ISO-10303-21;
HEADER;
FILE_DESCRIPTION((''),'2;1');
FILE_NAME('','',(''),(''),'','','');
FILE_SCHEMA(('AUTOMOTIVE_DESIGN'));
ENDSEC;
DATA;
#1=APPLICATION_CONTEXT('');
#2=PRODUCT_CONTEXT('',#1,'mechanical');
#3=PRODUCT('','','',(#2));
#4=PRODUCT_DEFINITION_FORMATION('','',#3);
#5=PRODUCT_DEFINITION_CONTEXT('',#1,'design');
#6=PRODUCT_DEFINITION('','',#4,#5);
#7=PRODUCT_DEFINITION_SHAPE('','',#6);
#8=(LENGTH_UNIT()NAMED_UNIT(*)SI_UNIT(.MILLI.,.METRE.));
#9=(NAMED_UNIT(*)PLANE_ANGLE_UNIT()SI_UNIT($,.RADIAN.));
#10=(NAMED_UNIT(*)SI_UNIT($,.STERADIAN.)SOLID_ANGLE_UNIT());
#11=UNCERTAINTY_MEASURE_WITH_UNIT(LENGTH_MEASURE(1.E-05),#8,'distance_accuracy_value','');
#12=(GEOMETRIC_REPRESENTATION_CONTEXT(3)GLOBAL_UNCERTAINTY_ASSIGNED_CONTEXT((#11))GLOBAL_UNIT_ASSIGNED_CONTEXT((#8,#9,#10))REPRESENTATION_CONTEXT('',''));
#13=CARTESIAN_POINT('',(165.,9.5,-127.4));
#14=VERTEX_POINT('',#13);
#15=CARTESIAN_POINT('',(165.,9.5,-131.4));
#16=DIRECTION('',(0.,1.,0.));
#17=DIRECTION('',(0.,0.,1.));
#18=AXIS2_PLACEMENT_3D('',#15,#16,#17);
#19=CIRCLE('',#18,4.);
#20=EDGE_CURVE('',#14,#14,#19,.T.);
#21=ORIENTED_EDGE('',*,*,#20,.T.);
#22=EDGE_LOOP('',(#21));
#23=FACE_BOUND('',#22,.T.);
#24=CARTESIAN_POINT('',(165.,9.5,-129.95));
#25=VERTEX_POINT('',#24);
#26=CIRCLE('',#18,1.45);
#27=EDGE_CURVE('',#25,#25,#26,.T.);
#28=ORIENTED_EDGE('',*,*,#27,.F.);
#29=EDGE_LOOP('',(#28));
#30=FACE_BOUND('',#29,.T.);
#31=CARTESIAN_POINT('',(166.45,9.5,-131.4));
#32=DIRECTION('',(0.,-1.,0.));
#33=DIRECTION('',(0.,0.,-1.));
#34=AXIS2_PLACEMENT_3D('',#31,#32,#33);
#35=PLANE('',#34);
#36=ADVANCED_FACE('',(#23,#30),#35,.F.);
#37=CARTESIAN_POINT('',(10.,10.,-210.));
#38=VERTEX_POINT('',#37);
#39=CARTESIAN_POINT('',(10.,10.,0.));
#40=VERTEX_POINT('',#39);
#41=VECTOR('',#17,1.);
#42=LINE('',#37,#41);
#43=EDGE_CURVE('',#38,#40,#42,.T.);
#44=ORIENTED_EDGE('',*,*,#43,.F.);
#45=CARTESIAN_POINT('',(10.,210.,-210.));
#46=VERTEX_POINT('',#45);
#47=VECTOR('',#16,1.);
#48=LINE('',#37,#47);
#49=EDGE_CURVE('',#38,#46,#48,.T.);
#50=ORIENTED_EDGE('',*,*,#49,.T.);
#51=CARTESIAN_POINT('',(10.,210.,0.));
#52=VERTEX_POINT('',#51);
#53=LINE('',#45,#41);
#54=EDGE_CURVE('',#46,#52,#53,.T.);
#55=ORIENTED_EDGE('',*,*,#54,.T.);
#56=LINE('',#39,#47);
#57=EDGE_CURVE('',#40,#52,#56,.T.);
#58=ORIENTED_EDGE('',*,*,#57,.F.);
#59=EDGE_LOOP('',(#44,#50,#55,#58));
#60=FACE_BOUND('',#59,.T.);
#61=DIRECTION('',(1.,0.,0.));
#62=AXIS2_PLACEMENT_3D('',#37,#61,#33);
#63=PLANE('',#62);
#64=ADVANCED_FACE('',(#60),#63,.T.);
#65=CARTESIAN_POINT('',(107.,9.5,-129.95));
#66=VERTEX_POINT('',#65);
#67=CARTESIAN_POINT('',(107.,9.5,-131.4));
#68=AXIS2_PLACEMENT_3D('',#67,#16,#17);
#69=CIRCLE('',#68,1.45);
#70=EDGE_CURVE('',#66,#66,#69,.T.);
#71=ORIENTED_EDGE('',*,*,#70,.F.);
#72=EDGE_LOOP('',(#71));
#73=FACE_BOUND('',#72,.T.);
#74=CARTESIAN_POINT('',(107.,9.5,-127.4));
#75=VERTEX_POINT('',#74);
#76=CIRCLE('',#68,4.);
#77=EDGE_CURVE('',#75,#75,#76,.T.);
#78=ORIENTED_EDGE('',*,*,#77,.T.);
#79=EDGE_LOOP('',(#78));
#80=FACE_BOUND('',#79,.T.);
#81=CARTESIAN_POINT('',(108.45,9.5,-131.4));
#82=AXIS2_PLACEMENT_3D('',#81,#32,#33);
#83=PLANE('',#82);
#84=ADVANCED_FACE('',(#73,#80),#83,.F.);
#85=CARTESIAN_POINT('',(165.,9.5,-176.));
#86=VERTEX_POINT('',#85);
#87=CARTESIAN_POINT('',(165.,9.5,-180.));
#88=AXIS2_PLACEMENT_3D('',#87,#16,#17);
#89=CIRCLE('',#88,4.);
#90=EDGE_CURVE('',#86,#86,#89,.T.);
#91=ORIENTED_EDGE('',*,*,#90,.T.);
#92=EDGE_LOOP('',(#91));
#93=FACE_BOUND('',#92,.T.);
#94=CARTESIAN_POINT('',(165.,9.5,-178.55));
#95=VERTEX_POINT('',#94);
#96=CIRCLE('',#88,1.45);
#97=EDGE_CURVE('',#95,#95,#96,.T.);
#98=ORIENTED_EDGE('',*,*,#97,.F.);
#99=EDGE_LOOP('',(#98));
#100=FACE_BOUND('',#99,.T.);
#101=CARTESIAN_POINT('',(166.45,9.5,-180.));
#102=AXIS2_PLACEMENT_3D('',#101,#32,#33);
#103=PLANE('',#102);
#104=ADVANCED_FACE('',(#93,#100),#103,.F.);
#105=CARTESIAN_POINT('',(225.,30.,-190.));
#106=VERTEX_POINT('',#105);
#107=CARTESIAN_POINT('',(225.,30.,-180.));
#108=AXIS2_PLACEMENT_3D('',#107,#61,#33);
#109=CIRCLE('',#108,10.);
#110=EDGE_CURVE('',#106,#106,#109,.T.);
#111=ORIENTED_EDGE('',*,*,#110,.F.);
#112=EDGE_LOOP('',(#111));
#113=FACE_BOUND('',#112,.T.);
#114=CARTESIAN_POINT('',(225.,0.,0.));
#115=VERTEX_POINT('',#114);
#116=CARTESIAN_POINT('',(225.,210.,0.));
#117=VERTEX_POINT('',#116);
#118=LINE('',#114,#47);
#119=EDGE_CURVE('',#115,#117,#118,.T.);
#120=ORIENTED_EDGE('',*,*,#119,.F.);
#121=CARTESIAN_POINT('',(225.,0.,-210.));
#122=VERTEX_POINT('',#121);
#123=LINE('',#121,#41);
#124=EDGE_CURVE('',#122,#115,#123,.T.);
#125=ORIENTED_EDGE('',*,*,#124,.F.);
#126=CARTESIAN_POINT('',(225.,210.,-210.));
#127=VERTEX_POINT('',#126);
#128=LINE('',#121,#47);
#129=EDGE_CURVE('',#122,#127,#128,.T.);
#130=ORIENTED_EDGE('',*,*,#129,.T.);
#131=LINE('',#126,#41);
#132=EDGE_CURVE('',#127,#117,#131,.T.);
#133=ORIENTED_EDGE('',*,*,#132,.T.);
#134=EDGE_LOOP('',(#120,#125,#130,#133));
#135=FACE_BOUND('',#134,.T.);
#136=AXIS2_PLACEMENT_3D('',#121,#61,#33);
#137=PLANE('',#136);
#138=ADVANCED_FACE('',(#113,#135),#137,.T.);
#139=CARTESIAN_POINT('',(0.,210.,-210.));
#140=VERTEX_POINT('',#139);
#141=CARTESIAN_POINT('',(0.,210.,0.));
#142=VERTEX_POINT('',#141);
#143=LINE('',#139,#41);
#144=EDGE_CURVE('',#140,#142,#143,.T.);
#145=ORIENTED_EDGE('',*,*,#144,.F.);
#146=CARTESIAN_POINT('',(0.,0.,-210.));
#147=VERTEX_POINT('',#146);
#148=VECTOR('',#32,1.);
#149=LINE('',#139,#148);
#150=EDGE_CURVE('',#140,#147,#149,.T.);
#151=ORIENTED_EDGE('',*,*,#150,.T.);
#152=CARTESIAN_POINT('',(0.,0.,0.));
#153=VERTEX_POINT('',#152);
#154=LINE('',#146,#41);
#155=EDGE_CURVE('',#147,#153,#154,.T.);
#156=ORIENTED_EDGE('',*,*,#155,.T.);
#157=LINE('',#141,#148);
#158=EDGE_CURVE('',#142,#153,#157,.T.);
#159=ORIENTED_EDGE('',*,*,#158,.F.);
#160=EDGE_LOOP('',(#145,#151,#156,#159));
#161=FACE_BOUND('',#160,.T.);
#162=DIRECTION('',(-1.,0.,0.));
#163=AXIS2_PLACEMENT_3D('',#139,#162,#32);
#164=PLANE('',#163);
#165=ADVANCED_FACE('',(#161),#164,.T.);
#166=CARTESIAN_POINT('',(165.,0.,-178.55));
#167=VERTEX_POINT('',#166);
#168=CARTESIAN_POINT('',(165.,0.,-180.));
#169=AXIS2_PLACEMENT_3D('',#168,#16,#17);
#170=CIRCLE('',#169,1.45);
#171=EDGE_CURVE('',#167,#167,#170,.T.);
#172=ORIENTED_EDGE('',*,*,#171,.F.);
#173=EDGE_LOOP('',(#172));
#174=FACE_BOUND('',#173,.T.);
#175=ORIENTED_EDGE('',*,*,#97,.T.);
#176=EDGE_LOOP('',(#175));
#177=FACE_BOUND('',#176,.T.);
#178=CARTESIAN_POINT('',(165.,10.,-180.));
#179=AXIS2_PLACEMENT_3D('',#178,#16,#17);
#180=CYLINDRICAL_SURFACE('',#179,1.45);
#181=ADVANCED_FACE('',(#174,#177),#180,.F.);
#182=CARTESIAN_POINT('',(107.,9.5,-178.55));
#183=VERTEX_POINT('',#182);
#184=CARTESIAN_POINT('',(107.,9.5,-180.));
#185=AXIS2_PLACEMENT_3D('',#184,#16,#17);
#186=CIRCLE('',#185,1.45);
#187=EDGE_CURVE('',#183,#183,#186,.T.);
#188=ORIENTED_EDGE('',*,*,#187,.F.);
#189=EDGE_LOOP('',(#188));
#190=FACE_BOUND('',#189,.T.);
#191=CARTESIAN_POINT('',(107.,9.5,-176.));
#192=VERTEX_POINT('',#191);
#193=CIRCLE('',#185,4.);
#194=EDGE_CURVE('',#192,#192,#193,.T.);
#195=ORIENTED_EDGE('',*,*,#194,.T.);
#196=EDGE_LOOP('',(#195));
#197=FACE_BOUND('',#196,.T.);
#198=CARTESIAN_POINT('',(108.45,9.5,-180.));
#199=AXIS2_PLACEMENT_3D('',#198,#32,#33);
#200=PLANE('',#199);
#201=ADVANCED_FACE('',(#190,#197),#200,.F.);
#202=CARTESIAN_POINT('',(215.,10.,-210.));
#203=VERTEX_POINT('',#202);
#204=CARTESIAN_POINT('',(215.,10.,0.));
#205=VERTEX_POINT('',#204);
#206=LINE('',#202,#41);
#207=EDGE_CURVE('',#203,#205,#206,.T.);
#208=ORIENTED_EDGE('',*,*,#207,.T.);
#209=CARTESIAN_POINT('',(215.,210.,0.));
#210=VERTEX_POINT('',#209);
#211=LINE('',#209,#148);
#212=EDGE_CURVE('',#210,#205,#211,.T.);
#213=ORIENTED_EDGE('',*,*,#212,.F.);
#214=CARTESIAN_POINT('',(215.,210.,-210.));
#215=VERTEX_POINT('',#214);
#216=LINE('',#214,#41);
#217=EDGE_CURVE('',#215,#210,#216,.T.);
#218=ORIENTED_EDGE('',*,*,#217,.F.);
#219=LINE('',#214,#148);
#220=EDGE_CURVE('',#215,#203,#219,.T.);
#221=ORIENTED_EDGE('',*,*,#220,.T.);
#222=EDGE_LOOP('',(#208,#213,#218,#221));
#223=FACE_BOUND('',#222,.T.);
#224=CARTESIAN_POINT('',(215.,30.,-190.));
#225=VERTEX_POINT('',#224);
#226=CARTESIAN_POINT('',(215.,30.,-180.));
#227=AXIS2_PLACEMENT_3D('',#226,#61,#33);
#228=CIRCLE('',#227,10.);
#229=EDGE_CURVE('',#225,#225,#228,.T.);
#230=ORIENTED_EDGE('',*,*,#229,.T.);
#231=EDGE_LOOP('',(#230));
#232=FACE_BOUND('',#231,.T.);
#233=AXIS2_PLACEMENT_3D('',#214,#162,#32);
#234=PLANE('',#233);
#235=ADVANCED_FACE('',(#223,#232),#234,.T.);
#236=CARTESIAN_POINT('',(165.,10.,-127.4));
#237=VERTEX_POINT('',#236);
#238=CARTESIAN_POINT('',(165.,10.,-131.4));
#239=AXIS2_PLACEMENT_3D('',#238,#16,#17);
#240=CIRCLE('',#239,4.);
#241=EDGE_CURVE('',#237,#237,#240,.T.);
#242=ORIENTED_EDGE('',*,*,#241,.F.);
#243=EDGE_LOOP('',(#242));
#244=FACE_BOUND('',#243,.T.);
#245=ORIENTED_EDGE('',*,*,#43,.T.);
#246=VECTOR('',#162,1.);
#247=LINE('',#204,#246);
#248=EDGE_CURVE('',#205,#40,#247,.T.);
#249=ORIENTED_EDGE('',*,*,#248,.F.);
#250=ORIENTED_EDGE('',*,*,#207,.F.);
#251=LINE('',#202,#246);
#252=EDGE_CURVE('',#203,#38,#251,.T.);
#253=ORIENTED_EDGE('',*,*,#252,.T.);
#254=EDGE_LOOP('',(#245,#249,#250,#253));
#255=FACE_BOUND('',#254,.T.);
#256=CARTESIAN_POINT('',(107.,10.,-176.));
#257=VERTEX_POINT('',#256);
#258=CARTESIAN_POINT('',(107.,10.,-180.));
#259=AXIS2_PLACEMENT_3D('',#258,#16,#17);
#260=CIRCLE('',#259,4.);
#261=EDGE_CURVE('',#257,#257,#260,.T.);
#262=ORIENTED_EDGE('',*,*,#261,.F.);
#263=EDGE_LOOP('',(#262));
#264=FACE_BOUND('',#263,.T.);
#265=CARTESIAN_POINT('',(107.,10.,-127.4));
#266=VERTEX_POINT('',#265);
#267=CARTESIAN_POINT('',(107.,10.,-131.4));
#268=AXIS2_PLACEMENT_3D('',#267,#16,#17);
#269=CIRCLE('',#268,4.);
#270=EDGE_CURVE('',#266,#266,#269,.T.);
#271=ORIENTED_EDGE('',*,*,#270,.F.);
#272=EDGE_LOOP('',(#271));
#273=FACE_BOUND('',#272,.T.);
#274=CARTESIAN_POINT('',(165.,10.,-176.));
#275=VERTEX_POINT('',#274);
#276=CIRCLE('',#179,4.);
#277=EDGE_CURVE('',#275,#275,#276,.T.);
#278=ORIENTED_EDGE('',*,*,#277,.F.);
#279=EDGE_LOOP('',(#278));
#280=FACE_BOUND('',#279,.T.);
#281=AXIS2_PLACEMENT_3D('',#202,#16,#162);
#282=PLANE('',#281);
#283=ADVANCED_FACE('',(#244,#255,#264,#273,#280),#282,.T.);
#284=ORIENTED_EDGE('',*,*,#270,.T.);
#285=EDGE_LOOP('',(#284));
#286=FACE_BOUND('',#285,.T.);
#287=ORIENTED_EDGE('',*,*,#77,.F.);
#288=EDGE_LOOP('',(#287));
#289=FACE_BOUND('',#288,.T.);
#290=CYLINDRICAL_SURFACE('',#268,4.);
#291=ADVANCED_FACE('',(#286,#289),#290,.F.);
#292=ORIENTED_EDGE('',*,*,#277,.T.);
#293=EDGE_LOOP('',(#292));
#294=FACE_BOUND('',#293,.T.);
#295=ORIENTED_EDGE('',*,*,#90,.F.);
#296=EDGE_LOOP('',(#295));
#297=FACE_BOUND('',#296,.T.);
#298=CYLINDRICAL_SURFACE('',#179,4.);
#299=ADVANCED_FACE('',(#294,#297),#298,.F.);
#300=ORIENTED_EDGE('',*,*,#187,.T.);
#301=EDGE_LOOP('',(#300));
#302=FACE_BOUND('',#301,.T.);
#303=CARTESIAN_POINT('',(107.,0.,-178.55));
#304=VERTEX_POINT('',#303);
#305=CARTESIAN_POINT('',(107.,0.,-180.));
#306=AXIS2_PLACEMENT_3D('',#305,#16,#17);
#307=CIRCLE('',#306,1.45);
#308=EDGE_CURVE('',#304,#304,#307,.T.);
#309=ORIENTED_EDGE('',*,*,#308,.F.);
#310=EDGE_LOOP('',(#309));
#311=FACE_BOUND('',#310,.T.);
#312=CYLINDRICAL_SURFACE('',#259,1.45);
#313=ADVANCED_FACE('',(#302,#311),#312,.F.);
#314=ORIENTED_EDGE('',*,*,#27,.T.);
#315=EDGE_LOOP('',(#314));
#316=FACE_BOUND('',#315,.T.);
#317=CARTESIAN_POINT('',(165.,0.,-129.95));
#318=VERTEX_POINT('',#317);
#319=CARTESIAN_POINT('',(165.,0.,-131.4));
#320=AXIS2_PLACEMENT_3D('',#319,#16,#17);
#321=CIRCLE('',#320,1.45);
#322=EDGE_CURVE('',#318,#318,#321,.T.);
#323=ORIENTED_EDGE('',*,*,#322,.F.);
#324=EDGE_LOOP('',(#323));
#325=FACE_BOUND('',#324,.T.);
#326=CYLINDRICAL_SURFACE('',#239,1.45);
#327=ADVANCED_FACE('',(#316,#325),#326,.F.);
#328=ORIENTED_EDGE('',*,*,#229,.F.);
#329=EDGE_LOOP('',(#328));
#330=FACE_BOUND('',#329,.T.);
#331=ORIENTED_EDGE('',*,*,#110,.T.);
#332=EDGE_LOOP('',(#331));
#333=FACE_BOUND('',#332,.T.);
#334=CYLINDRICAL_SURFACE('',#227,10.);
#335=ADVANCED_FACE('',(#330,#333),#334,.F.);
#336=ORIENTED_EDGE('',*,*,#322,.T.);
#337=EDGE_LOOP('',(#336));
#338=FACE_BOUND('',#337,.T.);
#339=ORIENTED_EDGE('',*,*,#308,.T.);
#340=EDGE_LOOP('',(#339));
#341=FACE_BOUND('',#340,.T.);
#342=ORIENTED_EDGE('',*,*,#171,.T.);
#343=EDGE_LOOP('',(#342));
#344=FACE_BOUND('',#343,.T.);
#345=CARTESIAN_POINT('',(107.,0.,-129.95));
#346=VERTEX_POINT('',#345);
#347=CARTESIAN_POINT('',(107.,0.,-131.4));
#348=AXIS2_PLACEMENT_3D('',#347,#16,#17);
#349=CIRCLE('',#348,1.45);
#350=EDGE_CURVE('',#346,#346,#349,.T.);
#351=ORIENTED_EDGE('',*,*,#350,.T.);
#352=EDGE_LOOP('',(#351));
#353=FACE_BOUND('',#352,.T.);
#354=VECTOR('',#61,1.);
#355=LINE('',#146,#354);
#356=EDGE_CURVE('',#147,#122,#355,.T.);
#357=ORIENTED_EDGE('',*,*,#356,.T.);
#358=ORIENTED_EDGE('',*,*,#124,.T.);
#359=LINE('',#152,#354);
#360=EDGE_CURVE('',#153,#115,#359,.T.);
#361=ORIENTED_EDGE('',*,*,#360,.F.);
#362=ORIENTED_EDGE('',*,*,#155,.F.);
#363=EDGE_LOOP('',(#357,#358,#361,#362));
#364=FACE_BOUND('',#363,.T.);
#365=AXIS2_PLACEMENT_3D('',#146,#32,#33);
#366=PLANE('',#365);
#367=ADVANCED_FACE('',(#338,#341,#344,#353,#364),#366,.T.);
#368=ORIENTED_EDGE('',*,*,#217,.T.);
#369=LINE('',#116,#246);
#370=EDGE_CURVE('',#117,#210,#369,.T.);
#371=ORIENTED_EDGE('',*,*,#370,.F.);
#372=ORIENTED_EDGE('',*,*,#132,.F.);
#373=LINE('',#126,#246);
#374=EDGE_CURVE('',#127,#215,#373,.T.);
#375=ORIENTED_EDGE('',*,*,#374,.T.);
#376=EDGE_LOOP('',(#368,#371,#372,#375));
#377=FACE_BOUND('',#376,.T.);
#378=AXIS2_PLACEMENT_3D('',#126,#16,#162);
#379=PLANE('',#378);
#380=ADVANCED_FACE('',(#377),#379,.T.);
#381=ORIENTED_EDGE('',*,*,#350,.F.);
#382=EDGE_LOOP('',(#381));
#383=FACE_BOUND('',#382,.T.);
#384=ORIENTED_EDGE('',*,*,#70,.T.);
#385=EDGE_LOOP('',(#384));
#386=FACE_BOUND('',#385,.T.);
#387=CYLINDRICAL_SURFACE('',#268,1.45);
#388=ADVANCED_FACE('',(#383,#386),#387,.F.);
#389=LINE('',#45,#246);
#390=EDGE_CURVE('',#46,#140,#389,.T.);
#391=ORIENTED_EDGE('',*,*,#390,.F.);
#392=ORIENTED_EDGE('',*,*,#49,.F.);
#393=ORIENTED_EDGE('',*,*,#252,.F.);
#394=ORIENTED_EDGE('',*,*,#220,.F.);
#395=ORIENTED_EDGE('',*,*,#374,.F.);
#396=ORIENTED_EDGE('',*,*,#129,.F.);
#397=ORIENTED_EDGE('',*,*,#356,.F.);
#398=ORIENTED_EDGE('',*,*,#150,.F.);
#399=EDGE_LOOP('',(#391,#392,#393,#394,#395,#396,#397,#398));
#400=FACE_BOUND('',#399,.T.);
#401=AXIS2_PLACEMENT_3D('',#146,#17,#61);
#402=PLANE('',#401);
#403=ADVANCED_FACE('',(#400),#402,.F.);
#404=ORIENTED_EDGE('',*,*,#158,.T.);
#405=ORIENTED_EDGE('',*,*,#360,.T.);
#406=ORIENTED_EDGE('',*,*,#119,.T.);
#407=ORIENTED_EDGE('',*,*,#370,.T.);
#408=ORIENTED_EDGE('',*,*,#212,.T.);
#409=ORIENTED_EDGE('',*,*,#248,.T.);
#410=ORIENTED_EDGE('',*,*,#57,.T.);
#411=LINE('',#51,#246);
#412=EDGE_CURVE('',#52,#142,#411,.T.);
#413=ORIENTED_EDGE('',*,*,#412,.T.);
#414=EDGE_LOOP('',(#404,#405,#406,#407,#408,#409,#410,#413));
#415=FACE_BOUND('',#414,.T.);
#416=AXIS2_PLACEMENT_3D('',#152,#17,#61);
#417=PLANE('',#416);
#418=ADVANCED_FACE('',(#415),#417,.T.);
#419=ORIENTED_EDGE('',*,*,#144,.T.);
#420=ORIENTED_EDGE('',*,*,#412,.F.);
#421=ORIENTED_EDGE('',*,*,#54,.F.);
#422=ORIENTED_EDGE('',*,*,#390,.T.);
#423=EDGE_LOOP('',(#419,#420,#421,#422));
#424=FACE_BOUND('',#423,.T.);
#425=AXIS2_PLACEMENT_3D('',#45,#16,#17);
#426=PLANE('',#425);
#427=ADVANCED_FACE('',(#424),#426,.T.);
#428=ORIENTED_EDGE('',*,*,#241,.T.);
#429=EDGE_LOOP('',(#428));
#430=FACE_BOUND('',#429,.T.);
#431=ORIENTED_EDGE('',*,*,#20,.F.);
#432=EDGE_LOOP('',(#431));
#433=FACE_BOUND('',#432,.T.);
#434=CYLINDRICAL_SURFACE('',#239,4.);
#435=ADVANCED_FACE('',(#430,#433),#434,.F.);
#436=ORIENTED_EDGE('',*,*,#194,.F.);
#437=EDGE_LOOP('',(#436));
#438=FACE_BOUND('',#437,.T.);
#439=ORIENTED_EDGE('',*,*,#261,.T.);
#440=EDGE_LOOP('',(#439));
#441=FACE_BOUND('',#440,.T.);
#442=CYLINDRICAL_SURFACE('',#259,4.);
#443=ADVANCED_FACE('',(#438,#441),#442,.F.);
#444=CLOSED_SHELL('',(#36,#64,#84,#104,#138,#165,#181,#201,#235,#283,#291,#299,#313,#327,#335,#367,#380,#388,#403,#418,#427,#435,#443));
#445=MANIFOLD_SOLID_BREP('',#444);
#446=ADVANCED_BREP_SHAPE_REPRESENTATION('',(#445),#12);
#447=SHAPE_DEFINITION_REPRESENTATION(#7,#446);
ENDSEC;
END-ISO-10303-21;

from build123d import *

# Parameters (mm, degrees)
EXTRUDE_2_DEPTH                = 210
SKETCH_3_R                     = 10
CUT_EXTRUDE_1_DEPTH            = 10
HOLE_WIZARD_M2_5_1_D           = 2.9
HOLE_WIZARD_M2_5_1_CBORE_D     = 8
HOLE_WIZARD_M2_5_1_CBORE_DEPTH = 0.5


with BuildPart() as part:
    # 草图2 → 凸台-拉伸2 (new body)
    with BuildSketch(Plane.XY):
        Polygon((0, 0), (225, 0), (225, 210), (215, 210), (215, 10), (10, 10), (10, 210), (0, 210), align=None)
    extrude(amount=-EXTRUDE_2_DEPTH)

    # 草图3 → 切除-拉伸1 (cut)
    with BuildSketch(Plane(origin=(225, 0, 0), x_dir=(0, 0, -1), z_dir=(1, 0, 0))):
        with Locations((180, 30)):
            Circle(SKETCH_3_R)
    extrude(amount=-CUT_EXTRUDE_1_DEPTH, mode=Mode.SUBTRACT)

    # M2.5 六角头螺栓的柱形沉头孔1 (through all)
    with Locations(Plane(origin=(0, 10, 0), x_dir=(1, 0, 0), z_dir=(0, 1, 0))):
        with Locations((107, 180), (107, 131.4), (165, 131.4), (165, 180)):
            CounterBoreHole(HOLE_WIZARD_M2_5_1_D / 2, HOLE_WIZARD_M2_5_1_CBORE_D / 2, HOLE_WIZARD_M2_5_1_CBORE_DEPTH)


solid = part.part
